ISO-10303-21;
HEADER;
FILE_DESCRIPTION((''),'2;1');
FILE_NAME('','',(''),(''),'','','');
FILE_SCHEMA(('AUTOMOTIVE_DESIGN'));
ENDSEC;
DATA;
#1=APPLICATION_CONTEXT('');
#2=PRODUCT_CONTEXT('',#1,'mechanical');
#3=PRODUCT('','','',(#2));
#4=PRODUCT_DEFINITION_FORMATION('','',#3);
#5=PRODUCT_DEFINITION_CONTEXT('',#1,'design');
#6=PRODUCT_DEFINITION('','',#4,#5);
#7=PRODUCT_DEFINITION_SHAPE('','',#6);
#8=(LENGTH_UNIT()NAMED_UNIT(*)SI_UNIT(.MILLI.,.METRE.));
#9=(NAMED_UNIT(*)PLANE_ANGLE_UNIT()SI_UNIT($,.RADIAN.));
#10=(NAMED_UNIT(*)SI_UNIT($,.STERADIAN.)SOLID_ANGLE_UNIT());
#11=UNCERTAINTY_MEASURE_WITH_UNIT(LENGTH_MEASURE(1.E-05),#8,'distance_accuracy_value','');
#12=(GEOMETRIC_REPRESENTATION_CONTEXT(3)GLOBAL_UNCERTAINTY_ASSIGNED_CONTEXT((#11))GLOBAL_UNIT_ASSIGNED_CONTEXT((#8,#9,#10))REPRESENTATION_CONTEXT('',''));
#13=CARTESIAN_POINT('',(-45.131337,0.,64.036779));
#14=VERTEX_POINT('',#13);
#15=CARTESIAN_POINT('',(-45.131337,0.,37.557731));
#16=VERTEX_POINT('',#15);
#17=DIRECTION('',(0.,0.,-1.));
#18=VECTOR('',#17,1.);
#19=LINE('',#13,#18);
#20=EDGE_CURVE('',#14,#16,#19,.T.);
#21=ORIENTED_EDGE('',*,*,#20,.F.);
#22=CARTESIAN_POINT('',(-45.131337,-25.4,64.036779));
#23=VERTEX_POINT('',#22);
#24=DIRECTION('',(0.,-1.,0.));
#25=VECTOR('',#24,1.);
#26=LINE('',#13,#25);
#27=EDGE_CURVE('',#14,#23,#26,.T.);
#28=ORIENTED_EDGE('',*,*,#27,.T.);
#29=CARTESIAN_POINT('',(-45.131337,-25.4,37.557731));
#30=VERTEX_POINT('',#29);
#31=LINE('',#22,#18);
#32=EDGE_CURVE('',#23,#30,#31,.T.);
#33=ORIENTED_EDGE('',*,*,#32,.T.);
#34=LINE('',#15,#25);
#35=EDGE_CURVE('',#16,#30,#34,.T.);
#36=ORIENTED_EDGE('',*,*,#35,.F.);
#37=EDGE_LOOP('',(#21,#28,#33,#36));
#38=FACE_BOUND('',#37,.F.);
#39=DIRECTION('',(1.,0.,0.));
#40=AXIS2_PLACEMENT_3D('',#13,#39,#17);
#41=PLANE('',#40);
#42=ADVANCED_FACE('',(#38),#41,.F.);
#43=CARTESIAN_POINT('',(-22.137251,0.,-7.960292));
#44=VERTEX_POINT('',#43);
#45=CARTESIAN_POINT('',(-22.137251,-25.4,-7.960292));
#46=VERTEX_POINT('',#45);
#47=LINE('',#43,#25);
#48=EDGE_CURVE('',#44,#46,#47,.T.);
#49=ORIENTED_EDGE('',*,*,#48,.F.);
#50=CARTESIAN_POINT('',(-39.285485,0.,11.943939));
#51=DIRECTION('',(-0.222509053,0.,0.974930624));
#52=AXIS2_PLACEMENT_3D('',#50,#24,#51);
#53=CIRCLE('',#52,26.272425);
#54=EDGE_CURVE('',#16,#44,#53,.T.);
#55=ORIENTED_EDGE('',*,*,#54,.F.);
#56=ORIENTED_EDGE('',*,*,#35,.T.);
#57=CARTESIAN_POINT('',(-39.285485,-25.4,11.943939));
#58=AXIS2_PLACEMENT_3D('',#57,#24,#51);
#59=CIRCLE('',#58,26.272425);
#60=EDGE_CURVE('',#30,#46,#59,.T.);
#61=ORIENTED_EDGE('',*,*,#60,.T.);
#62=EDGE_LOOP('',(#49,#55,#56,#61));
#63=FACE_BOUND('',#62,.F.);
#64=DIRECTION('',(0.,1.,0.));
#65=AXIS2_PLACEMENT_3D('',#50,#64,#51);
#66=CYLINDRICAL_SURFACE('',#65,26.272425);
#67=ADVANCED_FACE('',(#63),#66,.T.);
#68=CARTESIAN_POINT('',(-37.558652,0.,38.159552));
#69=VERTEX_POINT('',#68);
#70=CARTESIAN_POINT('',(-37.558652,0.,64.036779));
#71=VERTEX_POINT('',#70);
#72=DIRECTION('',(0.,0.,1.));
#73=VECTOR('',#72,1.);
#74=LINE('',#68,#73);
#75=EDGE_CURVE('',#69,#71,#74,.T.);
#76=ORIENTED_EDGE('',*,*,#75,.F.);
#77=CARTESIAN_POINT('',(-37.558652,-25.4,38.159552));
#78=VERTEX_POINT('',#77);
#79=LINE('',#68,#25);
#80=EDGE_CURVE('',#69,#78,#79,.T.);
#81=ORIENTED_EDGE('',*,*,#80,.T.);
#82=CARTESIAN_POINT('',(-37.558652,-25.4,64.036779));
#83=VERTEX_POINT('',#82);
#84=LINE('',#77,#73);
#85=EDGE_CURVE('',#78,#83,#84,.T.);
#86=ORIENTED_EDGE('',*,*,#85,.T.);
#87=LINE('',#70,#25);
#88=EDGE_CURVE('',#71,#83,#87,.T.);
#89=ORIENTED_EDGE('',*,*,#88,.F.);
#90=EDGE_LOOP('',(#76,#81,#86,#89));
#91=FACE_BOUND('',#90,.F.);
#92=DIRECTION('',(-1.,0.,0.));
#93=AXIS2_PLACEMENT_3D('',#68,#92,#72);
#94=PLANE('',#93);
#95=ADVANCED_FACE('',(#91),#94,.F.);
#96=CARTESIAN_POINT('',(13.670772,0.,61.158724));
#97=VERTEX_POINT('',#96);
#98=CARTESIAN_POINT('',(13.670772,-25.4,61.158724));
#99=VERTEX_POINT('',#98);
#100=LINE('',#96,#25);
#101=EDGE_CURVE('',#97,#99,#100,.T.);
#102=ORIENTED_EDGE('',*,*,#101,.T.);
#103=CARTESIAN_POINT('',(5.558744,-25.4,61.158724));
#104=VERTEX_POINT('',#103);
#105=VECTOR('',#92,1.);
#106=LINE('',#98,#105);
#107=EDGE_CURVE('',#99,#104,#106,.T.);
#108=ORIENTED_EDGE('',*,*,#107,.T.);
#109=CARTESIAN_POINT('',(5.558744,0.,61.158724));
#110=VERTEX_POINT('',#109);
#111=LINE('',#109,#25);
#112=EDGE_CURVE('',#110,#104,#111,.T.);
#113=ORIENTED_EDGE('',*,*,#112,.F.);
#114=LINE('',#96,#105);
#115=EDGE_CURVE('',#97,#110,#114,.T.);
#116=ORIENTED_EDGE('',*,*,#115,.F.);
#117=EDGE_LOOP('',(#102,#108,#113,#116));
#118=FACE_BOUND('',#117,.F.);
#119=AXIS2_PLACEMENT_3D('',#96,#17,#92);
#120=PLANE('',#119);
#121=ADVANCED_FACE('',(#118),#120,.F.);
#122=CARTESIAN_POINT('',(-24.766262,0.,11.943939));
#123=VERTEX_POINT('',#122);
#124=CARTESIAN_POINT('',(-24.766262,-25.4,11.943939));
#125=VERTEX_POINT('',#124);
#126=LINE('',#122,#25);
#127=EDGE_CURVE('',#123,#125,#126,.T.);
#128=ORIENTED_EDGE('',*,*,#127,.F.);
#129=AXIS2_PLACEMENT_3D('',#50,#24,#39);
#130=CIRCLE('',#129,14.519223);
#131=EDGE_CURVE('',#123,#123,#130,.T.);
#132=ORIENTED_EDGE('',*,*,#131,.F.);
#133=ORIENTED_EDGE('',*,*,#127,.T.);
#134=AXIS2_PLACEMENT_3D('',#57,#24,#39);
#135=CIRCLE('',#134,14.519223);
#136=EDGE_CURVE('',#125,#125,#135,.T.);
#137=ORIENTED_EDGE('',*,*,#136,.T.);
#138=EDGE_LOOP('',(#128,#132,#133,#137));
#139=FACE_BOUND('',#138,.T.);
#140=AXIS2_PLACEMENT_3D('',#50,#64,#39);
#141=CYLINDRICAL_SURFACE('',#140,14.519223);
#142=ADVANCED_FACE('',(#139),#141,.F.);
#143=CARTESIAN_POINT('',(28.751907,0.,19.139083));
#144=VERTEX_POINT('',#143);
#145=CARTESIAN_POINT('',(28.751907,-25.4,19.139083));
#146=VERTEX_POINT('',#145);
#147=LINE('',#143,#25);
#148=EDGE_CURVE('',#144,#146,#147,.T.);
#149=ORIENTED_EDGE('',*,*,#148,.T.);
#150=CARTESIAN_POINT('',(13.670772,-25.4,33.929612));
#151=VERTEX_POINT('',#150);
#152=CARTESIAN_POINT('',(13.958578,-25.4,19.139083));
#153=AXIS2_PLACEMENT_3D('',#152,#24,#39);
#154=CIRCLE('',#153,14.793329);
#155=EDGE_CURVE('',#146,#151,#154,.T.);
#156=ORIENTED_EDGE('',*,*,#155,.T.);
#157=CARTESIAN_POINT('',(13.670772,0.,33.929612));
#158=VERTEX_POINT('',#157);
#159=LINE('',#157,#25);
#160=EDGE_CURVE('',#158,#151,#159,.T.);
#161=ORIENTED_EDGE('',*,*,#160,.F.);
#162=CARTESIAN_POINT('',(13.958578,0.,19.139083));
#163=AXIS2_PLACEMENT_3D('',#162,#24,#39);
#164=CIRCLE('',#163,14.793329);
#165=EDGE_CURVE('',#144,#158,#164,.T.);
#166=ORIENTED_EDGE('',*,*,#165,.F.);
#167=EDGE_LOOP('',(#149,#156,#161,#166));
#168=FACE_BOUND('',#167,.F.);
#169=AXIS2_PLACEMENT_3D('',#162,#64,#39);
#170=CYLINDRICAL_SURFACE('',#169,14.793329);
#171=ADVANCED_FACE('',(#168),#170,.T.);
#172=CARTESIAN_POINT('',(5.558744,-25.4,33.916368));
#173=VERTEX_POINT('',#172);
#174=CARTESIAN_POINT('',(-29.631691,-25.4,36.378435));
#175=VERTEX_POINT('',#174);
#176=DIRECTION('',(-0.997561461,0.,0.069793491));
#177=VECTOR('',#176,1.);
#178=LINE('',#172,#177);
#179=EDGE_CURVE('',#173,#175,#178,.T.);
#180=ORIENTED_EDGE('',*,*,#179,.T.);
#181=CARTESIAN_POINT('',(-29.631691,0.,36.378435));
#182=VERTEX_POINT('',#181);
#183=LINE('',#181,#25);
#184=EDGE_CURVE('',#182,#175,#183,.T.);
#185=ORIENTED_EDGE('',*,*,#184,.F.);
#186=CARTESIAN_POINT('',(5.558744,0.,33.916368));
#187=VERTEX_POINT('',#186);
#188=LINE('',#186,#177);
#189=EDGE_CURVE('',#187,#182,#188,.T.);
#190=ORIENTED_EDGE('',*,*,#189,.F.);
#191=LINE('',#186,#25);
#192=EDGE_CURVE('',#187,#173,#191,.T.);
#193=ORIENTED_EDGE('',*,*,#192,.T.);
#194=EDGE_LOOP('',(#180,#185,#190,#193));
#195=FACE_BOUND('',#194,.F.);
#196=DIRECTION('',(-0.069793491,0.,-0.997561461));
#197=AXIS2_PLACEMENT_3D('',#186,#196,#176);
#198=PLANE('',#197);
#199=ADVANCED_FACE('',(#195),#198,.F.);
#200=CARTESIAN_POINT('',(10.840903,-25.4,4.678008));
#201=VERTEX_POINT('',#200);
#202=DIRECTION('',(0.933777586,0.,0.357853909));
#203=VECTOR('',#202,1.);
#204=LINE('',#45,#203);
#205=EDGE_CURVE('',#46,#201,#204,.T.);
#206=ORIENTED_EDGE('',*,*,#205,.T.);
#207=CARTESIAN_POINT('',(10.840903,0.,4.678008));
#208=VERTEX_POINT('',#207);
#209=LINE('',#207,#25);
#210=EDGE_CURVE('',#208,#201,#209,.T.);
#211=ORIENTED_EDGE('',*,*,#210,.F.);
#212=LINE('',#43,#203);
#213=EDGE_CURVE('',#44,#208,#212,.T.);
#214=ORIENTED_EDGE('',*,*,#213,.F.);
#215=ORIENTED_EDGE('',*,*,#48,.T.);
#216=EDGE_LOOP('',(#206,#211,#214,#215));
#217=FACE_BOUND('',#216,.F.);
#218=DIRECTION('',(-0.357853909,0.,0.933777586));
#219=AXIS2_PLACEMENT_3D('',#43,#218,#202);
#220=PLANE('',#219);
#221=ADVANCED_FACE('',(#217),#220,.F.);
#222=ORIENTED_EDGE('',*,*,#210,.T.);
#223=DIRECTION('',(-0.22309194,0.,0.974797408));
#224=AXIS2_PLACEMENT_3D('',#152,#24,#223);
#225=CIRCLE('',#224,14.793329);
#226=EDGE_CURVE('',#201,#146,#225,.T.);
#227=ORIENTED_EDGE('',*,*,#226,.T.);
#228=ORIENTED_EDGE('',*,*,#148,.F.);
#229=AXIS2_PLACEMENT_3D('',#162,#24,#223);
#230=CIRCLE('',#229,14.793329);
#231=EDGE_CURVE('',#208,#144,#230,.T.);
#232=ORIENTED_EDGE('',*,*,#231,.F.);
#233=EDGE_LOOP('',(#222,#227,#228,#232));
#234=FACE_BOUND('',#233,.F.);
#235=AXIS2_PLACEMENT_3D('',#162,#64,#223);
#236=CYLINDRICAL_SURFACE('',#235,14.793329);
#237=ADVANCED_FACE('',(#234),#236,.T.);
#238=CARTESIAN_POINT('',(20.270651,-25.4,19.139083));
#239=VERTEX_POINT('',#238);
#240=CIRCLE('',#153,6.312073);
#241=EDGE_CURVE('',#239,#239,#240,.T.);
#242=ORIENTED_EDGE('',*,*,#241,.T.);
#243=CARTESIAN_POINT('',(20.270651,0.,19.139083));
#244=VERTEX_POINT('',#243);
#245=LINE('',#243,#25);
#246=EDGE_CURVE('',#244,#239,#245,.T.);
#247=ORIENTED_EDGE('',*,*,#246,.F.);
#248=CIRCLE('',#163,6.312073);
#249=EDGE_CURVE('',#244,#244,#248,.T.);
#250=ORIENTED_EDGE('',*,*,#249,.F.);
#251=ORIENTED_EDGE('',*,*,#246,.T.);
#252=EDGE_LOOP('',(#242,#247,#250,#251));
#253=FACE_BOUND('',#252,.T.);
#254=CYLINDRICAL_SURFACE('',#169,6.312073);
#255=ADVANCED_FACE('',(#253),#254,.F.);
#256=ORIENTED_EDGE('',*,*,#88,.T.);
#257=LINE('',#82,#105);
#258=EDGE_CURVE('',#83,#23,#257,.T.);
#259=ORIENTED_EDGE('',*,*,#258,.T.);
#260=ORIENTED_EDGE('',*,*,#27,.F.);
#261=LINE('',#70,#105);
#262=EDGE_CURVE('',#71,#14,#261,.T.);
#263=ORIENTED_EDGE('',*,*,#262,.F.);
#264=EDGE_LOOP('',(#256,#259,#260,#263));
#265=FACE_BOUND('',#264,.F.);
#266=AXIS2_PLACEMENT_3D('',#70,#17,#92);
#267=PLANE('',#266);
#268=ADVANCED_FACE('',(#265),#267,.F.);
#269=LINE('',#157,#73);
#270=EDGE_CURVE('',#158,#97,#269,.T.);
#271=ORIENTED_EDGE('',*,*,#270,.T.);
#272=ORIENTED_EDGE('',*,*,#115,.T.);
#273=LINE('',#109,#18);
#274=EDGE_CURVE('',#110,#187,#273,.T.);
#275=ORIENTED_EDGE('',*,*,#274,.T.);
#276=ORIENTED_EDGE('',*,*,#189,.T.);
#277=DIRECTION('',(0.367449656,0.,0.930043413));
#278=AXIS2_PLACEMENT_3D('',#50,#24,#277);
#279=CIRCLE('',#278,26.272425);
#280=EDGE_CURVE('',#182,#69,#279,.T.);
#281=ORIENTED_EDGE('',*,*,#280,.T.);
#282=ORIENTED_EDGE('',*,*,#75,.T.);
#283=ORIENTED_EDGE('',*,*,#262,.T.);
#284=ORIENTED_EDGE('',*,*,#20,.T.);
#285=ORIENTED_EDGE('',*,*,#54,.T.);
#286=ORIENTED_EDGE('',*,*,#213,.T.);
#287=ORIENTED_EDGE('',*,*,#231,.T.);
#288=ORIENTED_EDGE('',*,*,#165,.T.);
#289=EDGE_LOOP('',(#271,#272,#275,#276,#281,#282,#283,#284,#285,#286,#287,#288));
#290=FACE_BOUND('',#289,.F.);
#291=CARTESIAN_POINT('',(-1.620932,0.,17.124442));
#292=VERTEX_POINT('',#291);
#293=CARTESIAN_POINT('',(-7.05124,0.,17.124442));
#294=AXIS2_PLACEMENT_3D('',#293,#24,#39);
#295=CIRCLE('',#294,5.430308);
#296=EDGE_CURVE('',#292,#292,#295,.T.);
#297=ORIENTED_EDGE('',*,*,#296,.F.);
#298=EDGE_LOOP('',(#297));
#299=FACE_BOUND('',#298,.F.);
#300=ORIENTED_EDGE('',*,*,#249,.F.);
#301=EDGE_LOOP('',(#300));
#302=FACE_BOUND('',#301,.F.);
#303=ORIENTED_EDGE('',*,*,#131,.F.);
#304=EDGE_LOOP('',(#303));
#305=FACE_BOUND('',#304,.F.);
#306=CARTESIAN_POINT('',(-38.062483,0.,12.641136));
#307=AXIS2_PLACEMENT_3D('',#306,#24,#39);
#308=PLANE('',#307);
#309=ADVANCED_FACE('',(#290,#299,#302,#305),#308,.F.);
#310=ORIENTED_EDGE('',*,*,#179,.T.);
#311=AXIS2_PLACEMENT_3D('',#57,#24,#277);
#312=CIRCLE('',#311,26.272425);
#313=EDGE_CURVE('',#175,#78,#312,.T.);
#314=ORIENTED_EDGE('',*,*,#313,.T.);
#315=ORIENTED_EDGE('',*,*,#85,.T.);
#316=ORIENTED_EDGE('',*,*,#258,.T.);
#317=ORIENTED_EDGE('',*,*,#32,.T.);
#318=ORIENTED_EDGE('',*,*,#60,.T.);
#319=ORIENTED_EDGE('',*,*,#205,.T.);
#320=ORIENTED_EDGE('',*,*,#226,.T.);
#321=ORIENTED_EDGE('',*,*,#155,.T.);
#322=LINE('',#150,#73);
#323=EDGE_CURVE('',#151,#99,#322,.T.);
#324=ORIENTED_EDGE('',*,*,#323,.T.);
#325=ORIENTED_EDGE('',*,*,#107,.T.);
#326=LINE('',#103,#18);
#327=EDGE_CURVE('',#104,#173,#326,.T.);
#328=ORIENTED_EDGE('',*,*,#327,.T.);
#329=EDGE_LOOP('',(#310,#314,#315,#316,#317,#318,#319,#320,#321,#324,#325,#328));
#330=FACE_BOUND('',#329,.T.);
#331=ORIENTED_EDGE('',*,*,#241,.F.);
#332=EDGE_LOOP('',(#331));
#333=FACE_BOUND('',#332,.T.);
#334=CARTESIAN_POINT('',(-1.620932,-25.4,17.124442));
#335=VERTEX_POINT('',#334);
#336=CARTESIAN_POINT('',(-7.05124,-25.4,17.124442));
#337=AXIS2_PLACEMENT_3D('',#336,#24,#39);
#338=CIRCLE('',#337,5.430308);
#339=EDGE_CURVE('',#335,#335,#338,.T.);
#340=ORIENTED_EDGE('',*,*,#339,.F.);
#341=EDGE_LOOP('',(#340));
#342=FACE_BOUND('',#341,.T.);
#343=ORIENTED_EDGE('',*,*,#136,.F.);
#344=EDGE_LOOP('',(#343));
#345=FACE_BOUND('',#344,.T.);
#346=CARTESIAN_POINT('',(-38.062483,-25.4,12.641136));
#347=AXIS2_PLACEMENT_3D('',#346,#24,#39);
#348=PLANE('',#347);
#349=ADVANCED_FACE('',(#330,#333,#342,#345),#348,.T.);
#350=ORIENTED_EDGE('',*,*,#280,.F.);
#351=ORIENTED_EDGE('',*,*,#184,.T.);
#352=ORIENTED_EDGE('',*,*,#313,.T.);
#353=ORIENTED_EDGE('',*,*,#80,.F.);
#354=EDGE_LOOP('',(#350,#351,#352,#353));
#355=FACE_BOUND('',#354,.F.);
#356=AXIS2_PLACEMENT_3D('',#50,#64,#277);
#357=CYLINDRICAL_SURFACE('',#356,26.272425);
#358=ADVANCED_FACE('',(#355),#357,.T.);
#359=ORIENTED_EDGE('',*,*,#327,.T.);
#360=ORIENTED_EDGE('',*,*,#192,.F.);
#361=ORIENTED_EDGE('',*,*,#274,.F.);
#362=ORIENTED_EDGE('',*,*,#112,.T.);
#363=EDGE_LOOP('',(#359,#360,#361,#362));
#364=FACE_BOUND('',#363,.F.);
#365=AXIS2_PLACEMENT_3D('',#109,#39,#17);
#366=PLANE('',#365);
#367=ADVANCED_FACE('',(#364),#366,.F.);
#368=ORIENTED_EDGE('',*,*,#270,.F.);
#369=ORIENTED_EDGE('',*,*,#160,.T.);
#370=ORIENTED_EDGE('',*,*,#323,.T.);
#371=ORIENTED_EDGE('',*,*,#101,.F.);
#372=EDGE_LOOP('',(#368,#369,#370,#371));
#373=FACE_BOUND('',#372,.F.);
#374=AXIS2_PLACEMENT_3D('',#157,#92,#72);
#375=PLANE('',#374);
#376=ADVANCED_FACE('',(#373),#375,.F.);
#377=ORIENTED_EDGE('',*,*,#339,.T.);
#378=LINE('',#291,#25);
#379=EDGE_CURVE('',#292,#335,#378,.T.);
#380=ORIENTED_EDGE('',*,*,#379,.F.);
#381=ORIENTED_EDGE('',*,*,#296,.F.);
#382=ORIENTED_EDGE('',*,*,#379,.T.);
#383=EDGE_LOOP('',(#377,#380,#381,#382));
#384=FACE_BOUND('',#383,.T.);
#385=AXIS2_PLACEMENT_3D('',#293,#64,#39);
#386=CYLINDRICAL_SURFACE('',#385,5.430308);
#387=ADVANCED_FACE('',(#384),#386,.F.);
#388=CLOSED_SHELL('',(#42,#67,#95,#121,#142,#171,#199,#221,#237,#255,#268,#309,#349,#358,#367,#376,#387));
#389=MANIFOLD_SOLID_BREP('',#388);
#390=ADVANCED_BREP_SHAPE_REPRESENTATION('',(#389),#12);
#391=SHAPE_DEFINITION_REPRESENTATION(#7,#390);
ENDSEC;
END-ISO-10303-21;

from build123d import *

# Parameters (mm, degrees)
F0_R     = 14.5192229183
F0_R_2   = 5.4303083629
F0_R_3   = 6.3120733823
F1_DEPTH = 25.4


with BuildPart() as f1:
    # F0 (on Front) → F1 (new body)
    with BuildSketch(Plane.XZ):
        with BuildLine():
            ThreePointArc((-22.1372511331, -7.9602920159), (-15.4027920309, 0.9960021992), (-13.0130593757, 11.9439391419))
            ThreePointArc((-13.0130593757, 11.9439391419), (-17.561432299, 26.7191169654), (-29.6316910405, 36.3784352581))
            ThreePointArc((-29.6316910405, 36.3784352581), (-33.5259051923, 37.5772685467), (-37.5586524606, 38.1595524841))
            Line((-37.5586524606, 38.1595524841), (-37.5586524606, 37.557731152))
            Line((-37.5586524606, 37.557731152), (-45.1313371936, 37.557731152))
            ThreePointArc((-45.1313371936, 37.557731152), (-62.7356139713, 0.0977680423), (-22.1372511331, -7.9602920159))
        make_face()
        with Locations((-39.2854847014, 11.9439391419)):
            Circle(F0_R, mode=Mode.SUBTRACT)
        with BuildLine():
            ThreePointArc((-29.6316910405, 36.3784352581), (-17.561432299, 26.7191169654), (-13.0130593757, 11.9439391419))
            ThreePointArc((-13.0130593757, 11.9439391419), (-15.4027920309, 0.9960021992), (-22.1372511331, -7.9602920159))
            Line((-22.1372511331, -7.9602920159), (10.8409033056, 4.6780082114))
            ThreePointArc((10.8409033056, 4.6780082114), (-0.834455342, 19.0455572147), (10.6583055416, 33.5595818525))
            Line((10.6583055416, 33.5595818525), (5.5587443353, 33.9163680698))
            Line((5.5587443353, 33.9163680698), (-29.6316910405, 36.3784352581))
        make_face()
        with Locations((-7.0512401871, 17.1244423836)):
            Circle(F0_R_2, mode=Mode.SUBTRACT)
        with BuildLine():
            Line((-37.5586524606, 37.557731152), (-37.5586524606, 38.1595524841))
            ThreePointArc((-37.5586524606, 38.1595524841), (-41.3668614541, 38.1337883837), (-45.1313371936, 37.557731152))
            Line((-45.1313371936, 37.557731152), (-37.5586524606, 37.557731152))
        make_face()
        with BuildLine():
            ThreePointArc((-45.1313371936, 37.557731152), (-41.3668614541, 38.1337883837), (-37.5586524606, 38.1595524841))
            Line((-37.5586524606, 38.1595524841), (-37.5586524606, 64.0367791057))
            Line((-37.5586524606, 64.0367791057), (-45.1313371936, 64.0367791057))
            Line((-45.1313371936, 64.0367791057), (-45.1313371936, 37.557731152))
        make_face()
        with BuildLine():
            Line((13.2697881301, 33.9163680698), (5.5587443353, 33.9163680698))
            Line((5.5587443353, 33.9163680698), (10.6583055416, 33.5595818525))
            ThreePointArc((10.6583055416, 33.5595818525), (11.9560848874, 33.7962521275), (13.2697881301, 33.9163680698))
        make_face()
        with BuildLine():
            Line((5.5587443353, 61.1587241292), (5.5587443353, 33.9163680698))
            Line((5.5587443353, 33.9163680698), (13.2697881301, 33.9163680698))
            ThreePointArc((13.2697881301, 33.9163680698), (13.4702353216, 33.9243495497), (13.6707723141, 33.9296121794))
            Line((13.6707723141, 33.9296121794), (13.6707723141, 61.1587241292))
            Line((13.6707723141, 61.1587241292), (5.5587443353, 61.1587241292))
        make_face()
        with BuildLine():
            ThreePointArc((10.6583055416, 33.5595818525), (-0.834455342, 19.0455572147), (10.8409033056, 4.6780082114))
            ThreePointArc((10.8409033056, 4.6780082114), (23.2516344138, 7.6290142519), (28.7519069841, 19.1390831023))
            ThreePointArc((28.7519069841, 19.1390831023), (24.3167867795, 29.7008108648), (13.6707723141, 33.9296121794))
            Line((13.6707723141, 33.9296121794), (13.6707723141, 33.9163680698))
            Line((13.6707723141, 33.9163680698), (13.2697881301, 33.9163680698))
            ThreePointArc((13.2697881301, 33.9163680698), (11.9560848874, 33.7962521275), (10.6583055416, 33.5595818525))
        make_face()
        with Locations((13.958577998, 19.1390831023)):
            Circle(F0_R_3, mode=Mode.SUBTRACT)
        with BuildLine():
            ThreePointArc((13.6707723141, 33.9296121794), (13.4702353216, 33.9243495497), (13.2697881301, 33.9163680698))
            Line((13.2697881301, 33.9163680698), (13.6707723141, 33.9163680698))
            Line((13.6707723141, 33.9163680698), (13.6707723141, 33.9296121794))
        make_face()
    extrude(amount=F1_DEPTH)


solid = f1.part
